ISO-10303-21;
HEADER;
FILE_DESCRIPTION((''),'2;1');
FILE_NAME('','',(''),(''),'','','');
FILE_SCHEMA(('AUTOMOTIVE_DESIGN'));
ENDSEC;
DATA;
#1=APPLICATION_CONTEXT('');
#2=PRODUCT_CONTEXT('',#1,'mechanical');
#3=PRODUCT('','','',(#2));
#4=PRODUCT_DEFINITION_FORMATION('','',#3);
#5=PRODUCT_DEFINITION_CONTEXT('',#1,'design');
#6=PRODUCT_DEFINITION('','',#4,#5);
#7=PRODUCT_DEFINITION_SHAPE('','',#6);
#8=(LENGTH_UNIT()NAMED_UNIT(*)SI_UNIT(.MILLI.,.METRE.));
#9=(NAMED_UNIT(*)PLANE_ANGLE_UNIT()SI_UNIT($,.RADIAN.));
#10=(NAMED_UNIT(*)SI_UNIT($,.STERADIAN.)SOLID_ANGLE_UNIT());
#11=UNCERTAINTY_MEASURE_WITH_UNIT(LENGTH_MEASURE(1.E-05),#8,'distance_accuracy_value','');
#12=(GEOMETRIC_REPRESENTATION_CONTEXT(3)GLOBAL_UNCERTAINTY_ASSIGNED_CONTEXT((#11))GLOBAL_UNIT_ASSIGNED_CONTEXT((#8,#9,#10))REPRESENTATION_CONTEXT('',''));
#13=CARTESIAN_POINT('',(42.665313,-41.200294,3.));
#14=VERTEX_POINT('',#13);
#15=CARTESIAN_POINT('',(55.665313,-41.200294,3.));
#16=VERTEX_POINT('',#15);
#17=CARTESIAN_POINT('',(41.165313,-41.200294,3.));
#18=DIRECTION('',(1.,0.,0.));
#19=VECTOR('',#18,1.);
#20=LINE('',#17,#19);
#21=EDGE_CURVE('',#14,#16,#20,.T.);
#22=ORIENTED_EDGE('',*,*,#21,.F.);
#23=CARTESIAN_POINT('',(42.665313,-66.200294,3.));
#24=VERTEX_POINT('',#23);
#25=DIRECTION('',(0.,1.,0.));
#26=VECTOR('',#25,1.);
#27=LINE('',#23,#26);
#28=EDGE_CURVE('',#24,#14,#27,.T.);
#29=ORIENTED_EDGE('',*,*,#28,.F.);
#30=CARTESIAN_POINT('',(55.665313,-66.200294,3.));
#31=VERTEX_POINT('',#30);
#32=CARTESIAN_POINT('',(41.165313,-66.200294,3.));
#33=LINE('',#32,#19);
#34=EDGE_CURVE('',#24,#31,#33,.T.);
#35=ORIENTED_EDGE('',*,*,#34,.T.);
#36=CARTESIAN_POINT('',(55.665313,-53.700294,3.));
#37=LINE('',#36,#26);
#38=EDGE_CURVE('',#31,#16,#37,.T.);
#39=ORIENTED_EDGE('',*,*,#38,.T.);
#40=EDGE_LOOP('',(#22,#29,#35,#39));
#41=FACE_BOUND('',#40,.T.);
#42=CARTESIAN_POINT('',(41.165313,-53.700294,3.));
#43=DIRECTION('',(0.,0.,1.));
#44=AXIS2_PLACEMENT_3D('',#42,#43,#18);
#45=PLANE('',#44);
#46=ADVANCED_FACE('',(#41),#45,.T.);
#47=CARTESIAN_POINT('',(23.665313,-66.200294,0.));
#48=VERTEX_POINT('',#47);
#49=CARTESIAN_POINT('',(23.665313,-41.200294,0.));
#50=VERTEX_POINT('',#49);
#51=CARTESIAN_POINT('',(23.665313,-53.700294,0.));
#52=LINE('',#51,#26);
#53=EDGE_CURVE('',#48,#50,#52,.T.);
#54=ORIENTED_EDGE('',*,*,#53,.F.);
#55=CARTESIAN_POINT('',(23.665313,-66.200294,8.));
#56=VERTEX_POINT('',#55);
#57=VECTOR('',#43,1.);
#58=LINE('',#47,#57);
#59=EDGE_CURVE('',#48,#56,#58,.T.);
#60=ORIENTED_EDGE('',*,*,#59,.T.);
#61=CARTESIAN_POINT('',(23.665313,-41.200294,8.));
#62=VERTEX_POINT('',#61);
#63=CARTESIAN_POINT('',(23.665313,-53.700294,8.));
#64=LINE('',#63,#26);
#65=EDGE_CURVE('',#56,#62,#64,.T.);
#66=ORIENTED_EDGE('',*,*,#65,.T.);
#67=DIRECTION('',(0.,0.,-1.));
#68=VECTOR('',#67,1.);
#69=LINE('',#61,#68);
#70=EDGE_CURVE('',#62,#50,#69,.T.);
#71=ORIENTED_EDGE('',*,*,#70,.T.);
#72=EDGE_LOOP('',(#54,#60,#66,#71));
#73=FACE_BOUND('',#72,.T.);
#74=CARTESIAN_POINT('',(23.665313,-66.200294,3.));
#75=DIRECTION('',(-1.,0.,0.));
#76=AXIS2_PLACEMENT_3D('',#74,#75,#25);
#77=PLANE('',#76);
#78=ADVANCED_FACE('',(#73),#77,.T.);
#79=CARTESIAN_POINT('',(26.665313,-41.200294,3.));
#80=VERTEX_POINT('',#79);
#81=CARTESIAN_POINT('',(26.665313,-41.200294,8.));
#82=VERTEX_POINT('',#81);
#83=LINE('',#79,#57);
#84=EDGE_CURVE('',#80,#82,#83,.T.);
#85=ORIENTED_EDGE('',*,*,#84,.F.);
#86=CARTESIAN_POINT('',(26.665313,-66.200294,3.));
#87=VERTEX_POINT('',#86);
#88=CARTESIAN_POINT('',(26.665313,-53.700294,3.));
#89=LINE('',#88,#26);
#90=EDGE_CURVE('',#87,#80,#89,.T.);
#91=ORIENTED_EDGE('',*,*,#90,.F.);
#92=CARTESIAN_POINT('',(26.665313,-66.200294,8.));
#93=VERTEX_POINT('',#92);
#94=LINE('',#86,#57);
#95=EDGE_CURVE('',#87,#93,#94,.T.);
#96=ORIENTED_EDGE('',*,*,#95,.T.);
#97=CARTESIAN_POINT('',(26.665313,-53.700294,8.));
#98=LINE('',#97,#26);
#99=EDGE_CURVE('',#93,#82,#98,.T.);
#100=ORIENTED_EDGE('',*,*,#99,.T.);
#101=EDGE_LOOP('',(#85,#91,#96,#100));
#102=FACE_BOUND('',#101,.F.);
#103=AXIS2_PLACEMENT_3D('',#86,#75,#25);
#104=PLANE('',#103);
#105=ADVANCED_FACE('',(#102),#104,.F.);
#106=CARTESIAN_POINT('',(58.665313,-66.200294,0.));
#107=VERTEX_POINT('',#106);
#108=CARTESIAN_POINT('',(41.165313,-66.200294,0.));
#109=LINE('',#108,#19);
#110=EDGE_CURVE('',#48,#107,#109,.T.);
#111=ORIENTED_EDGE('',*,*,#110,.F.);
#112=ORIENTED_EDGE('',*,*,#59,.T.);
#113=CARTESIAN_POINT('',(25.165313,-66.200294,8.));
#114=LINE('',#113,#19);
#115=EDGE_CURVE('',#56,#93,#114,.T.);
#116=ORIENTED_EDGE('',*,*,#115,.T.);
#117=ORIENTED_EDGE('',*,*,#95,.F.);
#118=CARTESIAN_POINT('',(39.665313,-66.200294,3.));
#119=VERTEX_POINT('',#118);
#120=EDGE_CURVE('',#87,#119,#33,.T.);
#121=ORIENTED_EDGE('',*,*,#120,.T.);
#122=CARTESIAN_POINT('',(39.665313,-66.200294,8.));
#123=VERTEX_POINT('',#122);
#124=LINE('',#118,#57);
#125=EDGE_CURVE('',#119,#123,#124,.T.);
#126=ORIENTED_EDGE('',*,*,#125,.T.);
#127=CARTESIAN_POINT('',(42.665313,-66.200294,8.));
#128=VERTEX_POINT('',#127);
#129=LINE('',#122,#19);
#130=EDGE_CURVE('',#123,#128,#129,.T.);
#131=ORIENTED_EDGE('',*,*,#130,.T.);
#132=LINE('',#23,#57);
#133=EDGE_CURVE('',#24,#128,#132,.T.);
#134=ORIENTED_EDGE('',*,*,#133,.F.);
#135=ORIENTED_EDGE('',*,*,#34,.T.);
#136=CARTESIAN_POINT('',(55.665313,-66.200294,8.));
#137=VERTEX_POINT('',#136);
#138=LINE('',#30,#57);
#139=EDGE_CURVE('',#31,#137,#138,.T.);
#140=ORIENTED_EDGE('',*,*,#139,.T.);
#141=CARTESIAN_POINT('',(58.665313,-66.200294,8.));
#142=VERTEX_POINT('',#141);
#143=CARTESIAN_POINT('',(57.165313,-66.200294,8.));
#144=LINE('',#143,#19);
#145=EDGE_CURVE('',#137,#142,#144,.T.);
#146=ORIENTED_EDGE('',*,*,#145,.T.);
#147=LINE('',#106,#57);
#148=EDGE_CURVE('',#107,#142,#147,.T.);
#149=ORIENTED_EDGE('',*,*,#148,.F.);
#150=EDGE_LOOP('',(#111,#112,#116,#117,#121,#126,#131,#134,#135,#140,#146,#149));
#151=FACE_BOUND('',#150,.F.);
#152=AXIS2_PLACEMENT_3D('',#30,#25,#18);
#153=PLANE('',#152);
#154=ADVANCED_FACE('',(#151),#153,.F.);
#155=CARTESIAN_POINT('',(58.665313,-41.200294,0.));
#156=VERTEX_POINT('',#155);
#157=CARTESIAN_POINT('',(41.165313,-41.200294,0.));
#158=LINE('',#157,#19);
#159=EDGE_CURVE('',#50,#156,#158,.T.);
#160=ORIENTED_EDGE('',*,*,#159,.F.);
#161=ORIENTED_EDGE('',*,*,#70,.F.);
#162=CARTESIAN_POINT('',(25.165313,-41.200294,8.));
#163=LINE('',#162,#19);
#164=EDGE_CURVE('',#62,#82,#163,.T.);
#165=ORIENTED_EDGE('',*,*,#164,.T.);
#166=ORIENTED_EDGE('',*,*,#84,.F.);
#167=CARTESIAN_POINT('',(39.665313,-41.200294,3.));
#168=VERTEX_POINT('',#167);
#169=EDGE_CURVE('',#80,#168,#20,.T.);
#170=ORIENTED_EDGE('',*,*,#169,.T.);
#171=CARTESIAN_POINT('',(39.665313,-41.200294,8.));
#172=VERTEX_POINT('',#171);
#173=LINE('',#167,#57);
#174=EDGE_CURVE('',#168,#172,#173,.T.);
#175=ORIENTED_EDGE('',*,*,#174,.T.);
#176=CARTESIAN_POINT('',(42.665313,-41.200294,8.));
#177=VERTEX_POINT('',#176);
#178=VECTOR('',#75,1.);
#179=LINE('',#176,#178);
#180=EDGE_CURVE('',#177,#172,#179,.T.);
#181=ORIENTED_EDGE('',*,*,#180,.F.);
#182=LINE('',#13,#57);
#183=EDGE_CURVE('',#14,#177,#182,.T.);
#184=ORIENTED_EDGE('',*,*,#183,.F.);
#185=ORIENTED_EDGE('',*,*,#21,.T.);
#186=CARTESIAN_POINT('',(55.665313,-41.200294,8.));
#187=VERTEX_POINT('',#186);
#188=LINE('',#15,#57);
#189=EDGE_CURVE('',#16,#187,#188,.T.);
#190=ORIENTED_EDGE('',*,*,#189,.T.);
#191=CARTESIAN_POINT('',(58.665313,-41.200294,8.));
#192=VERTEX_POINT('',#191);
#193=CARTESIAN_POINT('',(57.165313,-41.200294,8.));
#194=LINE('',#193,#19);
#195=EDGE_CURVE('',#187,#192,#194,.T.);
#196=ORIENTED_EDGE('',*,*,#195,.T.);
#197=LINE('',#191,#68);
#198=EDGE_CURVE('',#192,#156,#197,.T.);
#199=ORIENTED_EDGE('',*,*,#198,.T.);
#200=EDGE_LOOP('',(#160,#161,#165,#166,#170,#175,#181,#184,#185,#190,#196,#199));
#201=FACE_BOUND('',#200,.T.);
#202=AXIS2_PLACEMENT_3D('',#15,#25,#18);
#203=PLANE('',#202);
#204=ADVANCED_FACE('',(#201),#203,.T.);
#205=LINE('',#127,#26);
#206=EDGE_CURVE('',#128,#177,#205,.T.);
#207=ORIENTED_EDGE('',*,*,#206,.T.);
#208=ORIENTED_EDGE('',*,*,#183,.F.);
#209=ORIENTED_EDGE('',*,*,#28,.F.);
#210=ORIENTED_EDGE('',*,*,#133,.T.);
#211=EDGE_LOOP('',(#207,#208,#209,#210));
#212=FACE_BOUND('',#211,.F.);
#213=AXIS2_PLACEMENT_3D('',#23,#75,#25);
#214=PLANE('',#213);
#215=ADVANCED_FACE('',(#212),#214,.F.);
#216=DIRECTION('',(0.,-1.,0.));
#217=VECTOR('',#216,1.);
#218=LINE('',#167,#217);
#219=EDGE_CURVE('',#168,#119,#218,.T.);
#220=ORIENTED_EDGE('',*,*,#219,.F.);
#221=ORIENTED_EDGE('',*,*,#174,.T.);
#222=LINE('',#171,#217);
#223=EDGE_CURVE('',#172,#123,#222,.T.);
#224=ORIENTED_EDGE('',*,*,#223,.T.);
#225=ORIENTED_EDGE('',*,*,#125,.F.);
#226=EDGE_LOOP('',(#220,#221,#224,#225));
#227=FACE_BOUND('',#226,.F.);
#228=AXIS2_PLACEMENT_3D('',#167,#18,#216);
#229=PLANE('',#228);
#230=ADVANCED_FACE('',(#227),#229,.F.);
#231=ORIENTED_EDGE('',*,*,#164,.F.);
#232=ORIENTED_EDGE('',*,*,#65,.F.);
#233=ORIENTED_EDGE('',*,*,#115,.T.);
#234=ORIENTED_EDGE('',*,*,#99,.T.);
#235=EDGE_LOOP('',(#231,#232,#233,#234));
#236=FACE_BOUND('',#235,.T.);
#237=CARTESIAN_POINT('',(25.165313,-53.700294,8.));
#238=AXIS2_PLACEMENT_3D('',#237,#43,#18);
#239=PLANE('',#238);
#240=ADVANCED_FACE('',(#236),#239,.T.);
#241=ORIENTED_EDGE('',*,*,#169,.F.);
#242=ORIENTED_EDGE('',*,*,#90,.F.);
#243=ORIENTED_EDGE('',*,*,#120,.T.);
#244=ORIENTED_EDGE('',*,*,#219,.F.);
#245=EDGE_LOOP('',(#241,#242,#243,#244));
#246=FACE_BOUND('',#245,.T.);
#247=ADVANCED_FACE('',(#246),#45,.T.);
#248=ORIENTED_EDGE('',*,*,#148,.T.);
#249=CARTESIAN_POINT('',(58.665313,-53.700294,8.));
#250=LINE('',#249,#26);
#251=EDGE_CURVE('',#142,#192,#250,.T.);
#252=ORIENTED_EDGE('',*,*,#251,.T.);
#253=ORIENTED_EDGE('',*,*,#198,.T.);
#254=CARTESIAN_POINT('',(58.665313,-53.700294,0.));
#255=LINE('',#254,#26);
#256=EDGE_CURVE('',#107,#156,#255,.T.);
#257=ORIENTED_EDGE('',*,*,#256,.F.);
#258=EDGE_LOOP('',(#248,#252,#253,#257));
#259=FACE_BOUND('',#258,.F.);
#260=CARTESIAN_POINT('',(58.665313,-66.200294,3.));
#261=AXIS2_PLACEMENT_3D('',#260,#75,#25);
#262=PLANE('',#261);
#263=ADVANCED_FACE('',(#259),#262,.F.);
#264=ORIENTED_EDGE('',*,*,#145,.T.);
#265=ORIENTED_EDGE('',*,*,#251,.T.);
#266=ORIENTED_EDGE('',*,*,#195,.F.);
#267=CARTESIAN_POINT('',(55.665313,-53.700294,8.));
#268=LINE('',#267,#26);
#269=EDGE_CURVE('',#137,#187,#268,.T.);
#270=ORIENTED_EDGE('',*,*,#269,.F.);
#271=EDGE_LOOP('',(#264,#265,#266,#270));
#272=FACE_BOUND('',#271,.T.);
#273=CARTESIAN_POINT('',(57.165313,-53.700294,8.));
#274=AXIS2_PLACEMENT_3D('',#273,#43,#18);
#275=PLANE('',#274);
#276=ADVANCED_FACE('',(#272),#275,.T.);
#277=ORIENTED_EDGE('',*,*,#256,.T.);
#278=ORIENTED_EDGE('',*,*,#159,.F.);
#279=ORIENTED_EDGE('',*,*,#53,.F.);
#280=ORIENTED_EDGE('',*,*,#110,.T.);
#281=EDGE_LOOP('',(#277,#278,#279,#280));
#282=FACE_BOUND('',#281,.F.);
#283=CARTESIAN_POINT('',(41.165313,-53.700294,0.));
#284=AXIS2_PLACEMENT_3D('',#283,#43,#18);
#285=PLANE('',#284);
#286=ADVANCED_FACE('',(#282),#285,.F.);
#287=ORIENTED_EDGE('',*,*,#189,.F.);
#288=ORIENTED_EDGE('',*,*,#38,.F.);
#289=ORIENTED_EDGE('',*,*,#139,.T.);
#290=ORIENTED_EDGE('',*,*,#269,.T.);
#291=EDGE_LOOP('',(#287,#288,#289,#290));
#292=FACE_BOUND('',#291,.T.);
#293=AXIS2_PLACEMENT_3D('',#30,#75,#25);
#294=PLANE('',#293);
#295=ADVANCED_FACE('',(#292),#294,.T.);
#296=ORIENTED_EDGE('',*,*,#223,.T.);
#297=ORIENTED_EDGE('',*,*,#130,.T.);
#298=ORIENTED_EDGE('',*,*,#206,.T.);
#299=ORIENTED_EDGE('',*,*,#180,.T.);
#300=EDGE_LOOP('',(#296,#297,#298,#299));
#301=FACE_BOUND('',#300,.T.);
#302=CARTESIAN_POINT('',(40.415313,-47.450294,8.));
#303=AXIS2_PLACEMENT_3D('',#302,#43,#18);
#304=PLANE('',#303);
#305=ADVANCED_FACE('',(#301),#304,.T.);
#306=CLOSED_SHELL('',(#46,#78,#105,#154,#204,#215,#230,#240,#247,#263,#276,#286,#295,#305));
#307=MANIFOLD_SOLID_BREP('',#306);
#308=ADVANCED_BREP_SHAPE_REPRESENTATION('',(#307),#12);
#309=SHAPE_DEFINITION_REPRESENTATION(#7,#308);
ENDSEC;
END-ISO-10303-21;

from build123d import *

# Parameters (mm, degrees)
F0_W     = 35
F0_H     = 25
F1_DEPTH = 3
F2_W     = 1.5
F2_H     = 12.5
F3_DEPTH = 5
F4_W     = 3
F4_H     = 25
F5_DEPTH = 5
F6_W     = 3
F6_H     = 25
F7_DEPTH = 5


with BuildPart() as f1:
    # F0 (on Top) → F1 (new body)
    with BuildSketch(Plane.XY):
        with Locations((41.165313, -53.700294)):
            Rectangle(F0_W, F0_H)
    extrude(amount=F1_DEPTH)

    # F2 (on face) → F3 (join)
    with BuildSketch(Plane.XY.offset(3)):
        with Locations((40.415313, -47.450294)):
            Rectangle(F2_W, F2_H)
        with Locations((40.415313, -59.950294)):
            Rectangle(F2_W, F2_H)
        with Locations((41.915313, -47.450294)):
            Rectangle(F2_W, F2_H)
        with Locations((41.915313, -59.950294)):
            Rectangle(F2_W, F2_H)
    extrude(amount=F3_DEPTH)

    # F4 (on face) → F5 (join)
    with BuildSketch(Plane.XY.offset(3)):
        with Locations((25.165313, -53.700294)):
            Rectangle(F4_W, F4_H)
    extrude(amount=F5_DEPTH)

    # F6 (on face) → F7 (join)
    with BuildSketch(Plane.XY.offset(3)):
        with Locations((57.165313, -53.700294)):
            Rectangle(F6_W, F6_H)
    extrude(amount=F7_DEPTH)


solid = f1.part
